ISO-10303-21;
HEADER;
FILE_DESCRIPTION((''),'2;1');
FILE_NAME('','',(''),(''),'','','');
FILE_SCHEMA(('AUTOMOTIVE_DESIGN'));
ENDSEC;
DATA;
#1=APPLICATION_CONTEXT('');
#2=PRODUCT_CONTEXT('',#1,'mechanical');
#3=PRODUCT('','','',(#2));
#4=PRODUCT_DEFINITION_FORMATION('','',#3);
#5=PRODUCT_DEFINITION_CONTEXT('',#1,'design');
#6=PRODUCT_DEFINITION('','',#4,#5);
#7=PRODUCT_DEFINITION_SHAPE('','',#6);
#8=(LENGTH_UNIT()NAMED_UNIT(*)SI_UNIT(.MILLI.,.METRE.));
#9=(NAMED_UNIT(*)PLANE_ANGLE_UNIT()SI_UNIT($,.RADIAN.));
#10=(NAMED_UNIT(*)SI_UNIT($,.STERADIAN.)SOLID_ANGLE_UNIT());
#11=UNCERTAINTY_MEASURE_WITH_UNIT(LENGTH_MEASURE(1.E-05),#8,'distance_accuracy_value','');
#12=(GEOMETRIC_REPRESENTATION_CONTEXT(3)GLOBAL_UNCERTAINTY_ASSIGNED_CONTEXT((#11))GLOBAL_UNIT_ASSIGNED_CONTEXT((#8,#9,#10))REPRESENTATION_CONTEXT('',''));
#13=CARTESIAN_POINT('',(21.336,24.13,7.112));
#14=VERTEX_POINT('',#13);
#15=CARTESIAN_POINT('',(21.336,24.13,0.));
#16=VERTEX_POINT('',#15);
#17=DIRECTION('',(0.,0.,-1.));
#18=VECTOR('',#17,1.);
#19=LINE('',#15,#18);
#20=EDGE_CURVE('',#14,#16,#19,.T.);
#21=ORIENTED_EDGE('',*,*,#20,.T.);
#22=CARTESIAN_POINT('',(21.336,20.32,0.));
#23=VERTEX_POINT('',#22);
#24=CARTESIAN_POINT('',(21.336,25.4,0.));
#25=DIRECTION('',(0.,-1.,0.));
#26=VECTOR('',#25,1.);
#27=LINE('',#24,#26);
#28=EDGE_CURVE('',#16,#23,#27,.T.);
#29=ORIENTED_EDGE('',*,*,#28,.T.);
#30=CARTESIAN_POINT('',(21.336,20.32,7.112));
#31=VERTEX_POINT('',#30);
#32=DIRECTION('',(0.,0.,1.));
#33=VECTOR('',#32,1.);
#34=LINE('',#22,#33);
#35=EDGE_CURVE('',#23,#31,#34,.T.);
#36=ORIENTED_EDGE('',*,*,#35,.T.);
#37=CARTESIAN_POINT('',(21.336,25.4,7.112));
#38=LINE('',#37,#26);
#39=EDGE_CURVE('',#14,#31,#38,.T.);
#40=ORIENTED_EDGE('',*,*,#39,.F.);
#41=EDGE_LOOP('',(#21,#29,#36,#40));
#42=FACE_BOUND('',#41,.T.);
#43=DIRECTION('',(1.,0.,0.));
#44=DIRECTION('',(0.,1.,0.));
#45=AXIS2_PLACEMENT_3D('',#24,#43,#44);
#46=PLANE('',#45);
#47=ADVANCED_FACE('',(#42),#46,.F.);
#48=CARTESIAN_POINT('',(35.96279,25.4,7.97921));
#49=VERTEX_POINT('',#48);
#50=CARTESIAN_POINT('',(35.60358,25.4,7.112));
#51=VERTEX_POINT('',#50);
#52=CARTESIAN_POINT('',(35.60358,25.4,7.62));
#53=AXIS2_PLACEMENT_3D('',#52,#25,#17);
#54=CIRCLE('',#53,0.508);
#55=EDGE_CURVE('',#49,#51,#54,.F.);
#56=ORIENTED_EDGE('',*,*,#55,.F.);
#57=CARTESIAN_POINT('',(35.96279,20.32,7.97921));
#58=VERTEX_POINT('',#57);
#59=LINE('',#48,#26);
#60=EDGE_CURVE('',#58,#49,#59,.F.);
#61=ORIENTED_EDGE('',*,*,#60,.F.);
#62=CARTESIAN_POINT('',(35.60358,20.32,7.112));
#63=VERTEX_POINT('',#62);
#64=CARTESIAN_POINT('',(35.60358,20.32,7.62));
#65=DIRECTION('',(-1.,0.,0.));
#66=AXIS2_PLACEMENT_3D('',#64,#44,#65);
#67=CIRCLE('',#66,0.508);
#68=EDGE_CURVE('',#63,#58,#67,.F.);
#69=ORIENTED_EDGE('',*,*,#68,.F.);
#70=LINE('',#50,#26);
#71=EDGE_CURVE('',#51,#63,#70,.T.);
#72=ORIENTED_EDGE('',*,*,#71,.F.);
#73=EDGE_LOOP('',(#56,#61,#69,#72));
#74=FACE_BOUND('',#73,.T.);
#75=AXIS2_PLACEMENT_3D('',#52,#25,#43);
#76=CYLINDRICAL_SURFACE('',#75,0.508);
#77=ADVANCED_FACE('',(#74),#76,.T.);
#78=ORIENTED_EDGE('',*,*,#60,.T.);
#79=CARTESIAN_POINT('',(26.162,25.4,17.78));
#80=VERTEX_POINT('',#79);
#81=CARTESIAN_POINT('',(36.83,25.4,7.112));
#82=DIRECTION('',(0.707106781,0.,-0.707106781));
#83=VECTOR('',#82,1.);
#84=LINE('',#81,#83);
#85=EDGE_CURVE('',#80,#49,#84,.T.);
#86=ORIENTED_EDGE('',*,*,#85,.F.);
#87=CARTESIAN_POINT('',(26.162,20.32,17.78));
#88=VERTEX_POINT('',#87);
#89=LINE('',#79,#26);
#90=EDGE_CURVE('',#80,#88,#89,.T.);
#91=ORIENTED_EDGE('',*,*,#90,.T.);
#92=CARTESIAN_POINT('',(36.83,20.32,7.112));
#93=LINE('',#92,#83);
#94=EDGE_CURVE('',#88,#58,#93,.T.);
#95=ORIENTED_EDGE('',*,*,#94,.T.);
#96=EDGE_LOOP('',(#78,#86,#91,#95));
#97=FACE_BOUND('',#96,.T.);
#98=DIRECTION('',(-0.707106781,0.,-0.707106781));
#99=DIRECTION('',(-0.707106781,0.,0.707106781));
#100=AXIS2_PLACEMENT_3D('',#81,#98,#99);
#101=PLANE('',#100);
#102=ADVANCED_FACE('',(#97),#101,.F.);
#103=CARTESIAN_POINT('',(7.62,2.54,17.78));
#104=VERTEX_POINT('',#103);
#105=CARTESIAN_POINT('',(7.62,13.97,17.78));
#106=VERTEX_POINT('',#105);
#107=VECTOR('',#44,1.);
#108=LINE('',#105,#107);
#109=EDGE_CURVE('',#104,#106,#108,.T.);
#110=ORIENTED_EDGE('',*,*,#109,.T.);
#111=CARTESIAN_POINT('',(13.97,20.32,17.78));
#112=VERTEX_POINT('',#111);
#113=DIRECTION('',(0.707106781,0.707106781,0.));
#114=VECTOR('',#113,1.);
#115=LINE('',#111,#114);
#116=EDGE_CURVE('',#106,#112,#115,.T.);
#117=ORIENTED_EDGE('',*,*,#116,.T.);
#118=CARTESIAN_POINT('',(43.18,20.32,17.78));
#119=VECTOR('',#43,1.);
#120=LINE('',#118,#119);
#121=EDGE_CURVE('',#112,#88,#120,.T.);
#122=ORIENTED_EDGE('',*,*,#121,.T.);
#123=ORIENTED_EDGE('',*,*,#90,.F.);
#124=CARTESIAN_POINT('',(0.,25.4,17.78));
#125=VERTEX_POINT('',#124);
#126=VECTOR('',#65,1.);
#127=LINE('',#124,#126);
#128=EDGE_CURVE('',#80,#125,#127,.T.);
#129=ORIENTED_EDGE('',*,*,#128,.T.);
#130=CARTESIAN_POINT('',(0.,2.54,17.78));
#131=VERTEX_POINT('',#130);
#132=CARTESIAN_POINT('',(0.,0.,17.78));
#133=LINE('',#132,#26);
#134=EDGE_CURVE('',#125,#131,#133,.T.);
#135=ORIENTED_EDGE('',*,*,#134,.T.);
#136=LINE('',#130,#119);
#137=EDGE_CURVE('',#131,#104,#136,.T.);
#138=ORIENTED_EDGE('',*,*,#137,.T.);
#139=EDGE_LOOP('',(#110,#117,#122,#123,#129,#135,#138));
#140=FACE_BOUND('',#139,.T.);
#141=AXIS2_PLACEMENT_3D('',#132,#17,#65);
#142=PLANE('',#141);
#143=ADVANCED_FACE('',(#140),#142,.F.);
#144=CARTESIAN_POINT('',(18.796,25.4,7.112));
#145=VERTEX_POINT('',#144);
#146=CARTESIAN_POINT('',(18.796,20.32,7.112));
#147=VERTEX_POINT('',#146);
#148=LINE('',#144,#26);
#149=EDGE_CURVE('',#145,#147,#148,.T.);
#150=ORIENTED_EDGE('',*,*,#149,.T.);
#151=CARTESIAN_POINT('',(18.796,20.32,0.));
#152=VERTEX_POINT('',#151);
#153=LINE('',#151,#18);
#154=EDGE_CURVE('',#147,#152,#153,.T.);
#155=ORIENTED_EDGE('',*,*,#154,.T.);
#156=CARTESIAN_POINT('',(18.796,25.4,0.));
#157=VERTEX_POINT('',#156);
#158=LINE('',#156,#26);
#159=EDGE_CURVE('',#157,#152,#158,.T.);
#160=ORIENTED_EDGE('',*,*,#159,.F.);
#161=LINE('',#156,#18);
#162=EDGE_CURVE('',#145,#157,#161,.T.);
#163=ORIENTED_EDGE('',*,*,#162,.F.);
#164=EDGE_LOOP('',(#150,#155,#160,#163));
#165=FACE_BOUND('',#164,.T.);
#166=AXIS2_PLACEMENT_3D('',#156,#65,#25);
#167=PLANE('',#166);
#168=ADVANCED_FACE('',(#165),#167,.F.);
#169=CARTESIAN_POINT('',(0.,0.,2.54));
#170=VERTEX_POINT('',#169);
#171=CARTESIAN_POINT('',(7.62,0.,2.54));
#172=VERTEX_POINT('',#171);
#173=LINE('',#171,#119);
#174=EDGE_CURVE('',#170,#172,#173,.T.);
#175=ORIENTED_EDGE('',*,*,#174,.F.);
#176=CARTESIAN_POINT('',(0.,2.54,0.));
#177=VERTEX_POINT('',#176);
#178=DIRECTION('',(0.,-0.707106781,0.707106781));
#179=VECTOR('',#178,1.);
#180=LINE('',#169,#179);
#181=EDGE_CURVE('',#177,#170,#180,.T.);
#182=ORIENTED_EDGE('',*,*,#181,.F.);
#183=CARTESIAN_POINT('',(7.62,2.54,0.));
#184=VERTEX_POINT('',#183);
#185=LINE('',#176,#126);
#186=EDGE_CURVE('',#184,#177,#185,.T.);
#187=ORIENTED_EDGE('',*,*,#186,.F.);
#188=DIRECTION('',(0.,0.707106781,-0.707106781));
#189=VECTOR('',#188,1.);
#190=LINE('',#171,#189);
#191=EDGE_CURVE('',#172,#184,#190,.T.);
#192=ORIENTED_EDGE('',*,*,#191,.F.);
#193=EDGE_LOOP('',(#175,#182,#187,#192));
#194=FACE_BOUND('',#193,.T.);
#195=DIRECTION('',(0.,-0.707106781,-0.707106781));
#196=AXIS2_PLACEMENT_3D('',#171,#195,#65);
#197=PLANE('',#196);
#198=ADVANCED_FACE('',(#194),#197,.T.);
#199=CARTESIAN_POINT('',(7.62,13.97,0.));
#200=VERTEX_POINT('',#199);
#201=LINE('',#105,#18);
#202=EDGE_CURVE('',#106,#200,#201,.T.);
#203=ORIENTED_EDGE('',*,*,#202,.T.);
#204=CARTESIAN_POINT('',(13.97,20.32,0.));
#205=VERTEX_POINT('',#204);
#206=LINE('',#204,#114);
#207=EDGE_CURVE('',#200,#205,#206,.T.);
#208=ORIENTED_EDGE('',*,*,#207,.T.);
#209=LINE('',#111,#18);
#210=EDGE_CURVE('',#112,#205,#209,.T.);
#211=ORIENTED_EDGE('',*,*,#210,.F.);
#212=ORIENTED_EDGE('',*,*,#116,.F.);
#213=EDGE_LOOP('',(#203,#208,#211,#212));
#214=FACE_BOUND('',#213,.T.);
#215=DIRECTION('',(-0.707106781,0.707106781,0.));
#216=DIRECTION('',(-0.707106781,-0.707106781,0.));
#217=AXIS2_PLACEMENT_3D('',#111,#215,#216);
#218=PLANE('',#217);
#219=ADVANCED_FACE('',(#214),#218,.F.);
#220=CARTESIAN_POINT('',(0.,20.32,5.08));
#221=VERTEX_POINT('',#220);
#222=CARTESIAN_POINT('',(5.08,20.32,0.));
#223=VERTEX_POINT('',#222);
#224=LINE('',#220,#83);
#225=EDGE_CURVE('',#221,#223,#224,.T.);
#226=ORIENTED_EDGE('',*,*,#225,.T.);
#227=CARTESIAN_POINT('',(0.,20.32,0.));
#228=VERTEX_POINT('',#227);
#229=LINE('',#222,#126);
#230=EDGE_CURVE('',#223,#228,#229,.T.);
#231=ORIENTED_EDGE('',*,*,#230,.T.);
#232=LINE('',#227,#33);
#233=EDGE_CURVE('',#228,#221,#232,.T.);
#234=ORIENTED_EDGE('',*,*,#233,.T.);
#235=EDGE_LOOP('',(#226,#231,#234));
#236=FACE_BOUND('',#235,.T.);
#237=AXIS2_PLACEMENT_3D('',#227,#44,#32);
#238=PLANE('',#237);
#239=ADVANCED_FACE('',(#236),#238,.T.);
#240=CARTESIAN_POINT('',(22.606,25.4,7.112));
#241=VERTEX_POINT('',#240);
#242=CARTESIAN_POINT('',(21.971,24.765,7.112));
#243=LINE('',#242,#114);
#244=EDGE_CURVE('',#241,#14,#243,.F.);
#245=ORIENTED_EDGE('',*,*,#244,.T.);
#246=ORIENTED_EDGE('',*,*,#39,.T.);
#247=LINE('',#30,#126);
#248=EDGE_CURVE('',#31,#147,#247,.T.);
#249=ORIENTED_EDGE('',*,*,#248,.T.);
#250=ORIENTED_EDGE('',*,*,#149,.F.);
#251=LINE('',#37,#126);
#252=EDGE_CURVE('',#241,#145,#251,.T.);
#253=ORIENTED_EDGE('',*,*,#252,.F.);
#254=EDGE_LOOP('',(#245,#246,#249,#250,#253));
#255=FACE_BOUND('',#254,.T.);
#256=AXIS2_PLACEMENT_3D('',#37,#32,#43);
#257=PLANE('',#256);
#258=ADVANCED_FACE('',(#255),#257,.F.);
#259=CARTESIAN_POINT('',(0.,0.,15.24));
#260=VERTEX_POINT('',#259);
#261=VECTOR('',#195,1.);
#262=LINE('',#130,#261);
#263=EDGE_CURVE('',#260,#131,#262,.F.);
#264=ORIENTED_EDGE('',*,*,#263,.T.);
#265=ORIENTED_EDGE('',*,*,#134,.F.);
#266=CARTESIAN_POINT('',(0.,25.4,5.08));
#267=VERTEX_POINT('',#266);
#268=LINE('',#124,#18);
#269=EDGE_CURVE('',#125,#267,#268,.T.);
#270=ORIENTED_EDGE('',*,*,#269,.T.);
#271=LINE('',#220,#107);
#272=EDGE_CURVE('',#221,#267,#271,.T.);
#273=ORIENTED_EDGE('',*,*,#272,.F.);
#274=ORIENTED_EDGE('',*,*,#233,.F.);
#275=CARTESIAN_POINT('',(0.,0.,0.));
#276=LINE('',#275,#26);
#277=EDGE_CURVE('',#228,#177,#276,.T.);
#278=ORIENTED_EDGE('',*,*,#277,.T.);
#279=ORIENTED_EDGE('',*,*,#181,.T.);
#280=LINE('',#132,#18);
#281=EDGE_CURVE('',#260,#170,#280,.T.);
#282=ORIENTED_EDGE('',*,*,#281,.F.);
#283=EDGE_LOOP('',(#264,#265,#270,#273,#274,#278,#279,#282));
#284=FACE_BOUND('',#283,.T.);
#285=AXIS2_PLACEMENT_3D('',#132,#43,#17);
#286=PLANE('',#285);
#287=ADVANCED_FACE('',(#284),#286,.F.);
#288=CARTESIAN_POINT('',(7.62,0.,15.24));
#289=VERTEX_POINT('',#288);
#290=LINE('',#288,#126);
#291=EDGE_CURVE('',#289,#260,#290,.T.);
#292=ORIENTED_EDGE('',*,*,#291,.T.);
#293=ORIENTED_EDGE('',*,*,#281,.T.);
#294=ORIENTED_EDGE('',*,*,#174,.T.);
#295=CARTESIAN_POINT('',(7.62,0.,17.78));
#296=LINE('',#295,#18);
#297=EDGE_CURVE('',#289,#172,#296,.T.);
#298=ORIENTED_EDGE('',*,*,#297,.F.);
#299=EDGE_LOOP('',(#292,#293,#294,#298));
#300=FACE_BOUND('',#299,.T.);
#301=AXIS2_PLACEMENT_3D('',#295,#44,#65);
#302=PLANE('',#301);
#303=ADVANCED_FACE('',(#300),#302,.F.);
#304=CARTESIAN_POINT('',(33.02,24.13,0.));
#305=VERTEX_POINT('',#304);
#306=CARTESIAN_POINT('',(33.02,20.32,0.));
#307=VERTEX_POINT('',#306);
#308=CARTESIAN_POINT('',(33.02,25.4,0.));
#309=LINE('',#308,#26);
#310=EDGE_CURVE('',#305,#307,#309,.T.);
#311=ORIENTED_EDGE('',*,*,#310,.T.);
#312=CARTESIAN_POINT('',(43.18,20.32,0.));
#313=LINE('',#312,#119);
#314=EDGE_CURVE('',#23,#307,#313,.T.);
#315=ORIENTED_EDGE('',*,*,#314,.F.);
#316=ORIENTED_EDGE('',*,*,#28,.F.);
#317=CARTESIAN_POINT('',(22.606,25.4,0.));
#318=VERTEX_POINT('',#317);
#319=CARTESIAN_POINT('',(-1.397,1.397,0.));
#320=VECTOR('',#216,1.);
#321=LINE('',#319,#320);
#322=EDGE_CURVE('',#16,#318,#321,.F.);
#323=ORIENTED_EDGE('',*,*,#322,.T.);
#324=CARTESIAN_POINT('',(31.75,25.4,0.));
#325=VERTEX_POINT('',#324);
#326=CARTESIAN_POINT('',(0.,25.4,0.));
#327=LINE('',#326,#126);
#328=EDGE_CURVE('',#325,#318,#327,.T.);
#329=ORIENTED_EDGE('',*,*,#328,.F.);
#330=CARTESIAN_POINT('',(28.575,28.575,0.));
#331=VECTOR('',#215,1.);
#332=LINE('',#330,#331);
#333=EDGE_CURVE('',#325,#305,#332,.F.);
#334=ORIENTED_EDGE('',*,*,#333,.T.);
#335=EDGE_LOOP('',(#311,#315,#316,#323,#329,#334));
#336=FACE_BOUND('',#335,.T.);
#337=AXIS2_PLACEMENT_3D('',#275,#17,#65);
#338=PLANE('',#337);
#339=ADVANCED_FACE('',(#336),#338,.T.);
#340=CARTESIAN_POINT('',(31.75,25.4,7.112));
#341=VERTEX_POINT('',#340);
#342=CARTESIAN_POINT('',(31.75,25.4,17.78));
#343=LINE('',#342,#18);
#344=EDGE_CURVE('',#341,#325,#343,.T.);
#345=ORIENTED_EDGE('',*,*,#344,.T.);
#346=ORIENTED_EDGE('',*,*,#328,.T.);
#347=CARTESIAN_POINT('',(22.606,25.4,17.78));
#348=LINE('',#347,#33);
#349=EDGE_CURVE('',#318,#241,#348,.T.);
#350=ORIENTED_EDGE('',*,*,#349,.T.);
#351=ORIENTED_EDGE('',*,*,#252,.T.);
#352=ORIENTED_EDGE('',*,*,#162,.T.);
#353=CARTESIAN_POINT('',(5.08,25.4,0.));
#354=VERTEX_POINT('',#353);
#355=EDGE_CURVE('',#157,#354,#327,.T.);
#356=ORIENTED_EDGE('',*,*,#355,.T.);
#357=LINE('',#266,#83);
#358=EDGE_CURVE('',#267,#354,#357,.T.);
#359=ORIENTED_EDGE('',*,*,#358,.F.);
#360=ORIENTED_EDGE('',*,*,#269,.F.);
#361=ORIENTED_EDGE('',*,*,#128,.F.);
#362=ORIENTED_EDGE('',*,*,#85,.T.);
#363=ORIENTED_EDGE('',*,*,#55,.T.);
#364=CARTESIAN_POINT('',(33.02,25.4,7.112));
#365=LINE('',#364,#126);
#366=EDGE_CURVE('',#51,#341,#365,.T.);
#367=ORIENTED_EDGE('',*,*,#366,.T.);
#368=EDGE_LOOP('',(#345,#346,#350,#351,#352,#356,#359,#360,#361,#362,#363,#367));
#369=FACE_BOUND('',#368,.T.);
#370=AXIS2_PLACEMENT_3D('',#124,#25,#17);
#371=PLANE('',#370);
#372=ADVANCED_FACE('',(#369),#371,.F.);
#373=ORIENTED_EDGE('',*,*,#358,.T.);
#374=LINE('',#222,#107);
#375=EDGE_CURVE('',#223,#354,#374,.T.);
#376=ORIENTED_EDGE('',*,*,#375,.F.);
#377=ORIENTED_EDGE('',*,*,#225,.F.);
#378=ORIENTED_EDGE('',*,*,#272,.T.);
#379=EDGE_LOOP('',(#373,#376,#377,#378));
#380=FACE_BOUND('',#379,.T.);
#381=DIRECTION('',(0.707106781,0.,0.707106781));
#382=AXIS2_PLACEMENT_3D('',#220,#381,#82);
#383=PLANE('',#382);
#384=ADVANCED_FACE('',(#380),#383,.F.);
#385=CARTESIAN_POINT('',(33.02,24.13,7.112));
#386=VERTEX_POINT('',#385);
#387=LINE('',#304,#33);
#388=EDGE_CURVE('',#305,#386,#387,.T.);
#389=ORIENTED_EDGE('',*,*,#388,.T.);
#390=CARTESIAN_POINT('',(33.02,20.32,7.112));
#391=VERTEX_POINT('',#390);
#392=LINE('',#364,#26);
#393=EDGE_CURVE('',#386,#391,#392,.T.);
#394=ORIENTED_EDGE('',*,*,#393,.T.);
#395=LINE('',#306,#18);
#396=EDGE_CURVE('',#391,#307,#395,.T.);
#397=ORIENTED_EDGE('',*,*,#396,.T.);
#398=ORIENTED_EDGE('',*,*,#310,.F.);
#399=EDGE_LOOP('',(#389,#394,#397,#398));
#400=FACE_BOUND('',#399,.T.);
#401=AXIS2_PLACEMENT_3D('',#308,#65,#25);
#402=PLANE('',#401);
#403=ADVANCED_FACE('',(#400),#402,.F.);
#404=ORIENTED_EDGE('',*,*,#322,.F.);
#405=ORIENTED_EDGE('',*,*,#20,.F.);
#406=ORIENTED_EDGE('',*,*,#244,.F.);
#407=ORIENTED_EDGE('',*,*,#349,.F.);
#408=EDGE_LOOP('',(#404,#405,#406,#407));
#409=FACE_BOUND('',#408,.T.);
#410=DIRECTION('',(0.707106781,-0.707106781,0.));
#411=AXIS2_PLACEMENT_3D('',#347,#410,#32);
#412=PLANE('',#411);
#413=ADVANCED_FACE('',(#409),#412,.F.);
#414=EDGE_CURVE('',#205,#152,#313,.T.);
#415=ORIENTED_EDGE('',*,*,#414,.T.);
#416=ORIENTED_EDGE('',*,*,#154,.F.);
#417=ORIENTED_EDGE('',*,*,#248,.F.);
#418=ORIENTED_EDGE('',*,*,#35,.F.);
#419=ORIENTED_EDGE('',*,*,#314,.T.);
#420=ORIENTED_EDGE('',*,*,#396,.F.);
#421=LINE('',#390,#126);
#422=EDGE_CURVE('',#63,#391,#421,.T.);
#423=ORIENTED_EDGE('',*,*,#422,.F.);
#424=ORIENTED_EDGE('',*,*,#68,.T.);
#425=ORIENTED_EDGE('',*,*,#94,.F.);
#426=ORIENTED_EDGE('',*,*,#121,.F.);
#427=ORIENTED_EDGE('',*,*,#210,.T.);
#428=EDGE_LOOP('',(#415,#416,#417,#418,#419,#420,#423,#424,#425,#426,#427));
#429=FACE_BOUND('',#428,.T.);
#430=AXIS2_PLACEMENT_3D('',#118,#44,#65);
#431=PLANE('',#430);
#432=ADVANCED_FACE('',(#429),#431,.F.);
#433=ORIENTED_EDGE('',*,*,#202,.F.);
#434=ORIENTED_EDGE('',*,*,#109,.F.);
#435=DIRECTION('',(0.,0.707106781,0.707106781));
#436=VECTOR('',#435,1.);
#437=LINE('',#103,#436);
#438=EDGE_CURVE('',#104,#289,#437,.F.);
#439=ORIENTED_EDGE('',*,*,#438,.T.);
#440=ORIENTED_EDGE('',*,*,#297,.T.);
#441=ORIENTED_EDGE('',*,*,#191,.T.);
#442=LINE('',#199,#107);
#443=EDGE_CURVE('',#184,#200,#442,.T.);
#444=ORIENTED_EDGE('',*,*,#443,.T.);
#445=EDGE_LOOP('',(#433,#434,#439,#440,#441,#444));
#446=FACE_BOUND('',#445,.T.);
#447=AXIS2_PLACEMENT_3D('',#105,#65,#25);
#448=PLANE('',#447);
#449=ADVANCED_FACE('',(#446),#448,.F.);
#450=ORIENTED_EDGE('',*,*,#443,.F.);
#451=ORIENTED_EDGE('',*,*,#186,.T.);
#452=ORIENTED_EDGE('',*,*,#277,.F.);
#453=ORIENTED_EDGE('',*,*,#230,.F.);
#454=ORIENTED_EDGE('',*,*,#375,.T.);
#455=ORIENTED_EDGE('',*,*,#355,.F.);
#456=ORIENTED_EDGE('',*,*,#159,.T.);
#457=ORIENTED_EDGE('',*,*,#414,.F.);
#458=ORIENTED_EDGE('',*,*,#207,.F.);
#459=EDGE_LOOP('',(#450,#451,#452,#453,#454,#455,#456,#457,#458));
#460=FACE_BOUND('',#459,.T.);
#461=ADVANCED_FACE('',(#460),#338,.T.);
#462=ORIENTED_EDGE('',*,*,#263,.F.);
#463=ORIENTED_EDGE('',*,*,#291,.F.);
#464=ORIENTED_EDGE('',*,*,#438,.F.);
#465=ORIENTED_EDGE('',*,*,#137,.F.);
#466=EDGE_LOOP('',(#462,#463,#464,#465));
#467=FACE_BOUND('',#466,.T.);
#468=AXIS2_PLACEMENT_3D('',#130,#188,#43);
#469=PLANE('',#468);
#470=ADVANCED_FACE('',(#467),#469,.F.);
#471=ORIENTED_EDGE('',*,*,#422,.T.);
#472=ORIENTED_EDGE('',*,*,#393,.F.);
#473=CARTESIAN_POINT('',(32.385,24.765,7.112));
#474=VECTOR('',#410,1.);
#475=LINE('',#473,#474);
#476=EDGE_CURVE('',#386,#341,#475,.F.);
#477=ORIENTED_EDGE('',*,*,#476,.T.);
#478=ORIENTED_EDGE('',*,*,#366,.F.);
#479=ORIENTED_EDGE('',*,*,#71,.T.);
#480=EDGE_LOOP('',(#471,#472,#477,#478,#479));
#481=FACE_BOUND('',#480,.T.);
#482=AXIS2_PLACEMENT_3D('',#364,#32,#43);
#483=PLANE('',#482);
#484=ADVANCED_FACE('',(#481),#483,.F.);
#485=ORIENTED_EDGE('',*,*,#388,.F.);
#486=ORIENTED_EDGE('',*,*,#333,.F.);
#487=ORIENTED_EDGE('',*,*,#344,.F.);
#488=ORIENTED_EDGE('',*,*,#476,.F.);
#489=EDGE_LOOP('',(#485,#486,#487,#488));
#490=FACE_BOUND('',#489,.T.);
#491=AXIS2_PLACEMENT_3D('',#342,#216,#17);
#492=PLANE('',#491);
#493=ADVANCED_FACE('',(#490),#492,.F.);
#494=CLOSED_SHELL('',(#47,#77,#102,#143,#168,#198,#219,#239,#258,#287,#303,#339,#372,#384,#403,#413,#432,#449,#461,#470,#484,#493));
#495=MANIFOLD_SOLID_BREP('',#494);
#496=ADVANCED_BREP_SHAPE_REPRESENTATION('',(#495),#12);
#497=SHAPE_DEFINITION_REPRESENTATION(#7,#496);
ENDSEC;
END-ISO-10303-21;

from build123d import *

# Parameters (mm, degrees)
BOSS_EXTRUDE1_DEPTH = 17.78
SKETCH4_W           = 2.54
SKETCH4_H           = 7.112
CUT_EXTRUDE2_DEPTH  = 6.08
CUT_EXTRUDE1_DEPTH  = 5.08
CHAMFER3_SIZE       = 2.54
FILLET2_R           = 0.508
CHAMFER4_SIZE       = 1.27


with BuildPart() as part:
    # Sketch1 → Boss-Extrude1 (new body)
    with BuildSketch(Plane.XY):
        Polygon((0, 0), (0, 25.4), (43.18, 25.4), (43.18, 20.32), (13.97, 20.32), (7.62, 13.97), (7.62, 0), align=None)
    extrude(amount=BOSS_EXTRUDE1_DEPTH)

    # Sketch4 → Cut-Extrude2 (cut, through all)
    with BuildSketch(Plane.XZ.offset(-20.32)):
        with Locations((20.066, 3.556)):
            Rectangle(SKETCH4_W, SKETCH4_H)
        Polygon((33.02, 0), (33.02, 7.112), (36.83, 7.112), (26.162, 17.78), (43.18, 17.78), (43.18, 0), align=None)
    extrude(amount=-CUT_EXTRUDE2_DEPTH, mode=Mode.SUBTRACT)

    # Sketch3 → Cut-Extrude1 (cut)
    with BuildSketch(Plane(origin=(0, 25.4, 0), x_dir=(1, 0, 0), z_dir=(0, 1, 0))):
        Polygon((0, 0), (0, -5.08), (5.08, 0), align=None)
    extrude(amount=-CUT_EXTRUDE1_DEPTH, mode=Mode.SUBTRACT)

    # Chamfer3
    chamfer3_edges = [part.edges().sort_by_distance(p)[0] for p in [
        (3.81, 0, 0),
        (3.81, 0, 17.78),
    ]]
    chamfer(chamfer3_edges, length=CHAMFER3_SIZE)

    # Fillet2
    fillet2_edges = [part.edges().sort_by_distance(p)[0] for p in [
        (36.83, 22.86, 7.112),
    ]]
    fillet(fillet2_edges, radius=FILLET2_R)

    # Chamfer4
    chamfer4_edges = [part.edges().sort_by_distance(p)[0] for p in [
        (21.336, 25.4, 3.556),
        (33.02, 25.4, 3.556),
    ]]
    chamfer(chamfer4_edges, length=CHAMFER4_SIZE)


solid = part.part
